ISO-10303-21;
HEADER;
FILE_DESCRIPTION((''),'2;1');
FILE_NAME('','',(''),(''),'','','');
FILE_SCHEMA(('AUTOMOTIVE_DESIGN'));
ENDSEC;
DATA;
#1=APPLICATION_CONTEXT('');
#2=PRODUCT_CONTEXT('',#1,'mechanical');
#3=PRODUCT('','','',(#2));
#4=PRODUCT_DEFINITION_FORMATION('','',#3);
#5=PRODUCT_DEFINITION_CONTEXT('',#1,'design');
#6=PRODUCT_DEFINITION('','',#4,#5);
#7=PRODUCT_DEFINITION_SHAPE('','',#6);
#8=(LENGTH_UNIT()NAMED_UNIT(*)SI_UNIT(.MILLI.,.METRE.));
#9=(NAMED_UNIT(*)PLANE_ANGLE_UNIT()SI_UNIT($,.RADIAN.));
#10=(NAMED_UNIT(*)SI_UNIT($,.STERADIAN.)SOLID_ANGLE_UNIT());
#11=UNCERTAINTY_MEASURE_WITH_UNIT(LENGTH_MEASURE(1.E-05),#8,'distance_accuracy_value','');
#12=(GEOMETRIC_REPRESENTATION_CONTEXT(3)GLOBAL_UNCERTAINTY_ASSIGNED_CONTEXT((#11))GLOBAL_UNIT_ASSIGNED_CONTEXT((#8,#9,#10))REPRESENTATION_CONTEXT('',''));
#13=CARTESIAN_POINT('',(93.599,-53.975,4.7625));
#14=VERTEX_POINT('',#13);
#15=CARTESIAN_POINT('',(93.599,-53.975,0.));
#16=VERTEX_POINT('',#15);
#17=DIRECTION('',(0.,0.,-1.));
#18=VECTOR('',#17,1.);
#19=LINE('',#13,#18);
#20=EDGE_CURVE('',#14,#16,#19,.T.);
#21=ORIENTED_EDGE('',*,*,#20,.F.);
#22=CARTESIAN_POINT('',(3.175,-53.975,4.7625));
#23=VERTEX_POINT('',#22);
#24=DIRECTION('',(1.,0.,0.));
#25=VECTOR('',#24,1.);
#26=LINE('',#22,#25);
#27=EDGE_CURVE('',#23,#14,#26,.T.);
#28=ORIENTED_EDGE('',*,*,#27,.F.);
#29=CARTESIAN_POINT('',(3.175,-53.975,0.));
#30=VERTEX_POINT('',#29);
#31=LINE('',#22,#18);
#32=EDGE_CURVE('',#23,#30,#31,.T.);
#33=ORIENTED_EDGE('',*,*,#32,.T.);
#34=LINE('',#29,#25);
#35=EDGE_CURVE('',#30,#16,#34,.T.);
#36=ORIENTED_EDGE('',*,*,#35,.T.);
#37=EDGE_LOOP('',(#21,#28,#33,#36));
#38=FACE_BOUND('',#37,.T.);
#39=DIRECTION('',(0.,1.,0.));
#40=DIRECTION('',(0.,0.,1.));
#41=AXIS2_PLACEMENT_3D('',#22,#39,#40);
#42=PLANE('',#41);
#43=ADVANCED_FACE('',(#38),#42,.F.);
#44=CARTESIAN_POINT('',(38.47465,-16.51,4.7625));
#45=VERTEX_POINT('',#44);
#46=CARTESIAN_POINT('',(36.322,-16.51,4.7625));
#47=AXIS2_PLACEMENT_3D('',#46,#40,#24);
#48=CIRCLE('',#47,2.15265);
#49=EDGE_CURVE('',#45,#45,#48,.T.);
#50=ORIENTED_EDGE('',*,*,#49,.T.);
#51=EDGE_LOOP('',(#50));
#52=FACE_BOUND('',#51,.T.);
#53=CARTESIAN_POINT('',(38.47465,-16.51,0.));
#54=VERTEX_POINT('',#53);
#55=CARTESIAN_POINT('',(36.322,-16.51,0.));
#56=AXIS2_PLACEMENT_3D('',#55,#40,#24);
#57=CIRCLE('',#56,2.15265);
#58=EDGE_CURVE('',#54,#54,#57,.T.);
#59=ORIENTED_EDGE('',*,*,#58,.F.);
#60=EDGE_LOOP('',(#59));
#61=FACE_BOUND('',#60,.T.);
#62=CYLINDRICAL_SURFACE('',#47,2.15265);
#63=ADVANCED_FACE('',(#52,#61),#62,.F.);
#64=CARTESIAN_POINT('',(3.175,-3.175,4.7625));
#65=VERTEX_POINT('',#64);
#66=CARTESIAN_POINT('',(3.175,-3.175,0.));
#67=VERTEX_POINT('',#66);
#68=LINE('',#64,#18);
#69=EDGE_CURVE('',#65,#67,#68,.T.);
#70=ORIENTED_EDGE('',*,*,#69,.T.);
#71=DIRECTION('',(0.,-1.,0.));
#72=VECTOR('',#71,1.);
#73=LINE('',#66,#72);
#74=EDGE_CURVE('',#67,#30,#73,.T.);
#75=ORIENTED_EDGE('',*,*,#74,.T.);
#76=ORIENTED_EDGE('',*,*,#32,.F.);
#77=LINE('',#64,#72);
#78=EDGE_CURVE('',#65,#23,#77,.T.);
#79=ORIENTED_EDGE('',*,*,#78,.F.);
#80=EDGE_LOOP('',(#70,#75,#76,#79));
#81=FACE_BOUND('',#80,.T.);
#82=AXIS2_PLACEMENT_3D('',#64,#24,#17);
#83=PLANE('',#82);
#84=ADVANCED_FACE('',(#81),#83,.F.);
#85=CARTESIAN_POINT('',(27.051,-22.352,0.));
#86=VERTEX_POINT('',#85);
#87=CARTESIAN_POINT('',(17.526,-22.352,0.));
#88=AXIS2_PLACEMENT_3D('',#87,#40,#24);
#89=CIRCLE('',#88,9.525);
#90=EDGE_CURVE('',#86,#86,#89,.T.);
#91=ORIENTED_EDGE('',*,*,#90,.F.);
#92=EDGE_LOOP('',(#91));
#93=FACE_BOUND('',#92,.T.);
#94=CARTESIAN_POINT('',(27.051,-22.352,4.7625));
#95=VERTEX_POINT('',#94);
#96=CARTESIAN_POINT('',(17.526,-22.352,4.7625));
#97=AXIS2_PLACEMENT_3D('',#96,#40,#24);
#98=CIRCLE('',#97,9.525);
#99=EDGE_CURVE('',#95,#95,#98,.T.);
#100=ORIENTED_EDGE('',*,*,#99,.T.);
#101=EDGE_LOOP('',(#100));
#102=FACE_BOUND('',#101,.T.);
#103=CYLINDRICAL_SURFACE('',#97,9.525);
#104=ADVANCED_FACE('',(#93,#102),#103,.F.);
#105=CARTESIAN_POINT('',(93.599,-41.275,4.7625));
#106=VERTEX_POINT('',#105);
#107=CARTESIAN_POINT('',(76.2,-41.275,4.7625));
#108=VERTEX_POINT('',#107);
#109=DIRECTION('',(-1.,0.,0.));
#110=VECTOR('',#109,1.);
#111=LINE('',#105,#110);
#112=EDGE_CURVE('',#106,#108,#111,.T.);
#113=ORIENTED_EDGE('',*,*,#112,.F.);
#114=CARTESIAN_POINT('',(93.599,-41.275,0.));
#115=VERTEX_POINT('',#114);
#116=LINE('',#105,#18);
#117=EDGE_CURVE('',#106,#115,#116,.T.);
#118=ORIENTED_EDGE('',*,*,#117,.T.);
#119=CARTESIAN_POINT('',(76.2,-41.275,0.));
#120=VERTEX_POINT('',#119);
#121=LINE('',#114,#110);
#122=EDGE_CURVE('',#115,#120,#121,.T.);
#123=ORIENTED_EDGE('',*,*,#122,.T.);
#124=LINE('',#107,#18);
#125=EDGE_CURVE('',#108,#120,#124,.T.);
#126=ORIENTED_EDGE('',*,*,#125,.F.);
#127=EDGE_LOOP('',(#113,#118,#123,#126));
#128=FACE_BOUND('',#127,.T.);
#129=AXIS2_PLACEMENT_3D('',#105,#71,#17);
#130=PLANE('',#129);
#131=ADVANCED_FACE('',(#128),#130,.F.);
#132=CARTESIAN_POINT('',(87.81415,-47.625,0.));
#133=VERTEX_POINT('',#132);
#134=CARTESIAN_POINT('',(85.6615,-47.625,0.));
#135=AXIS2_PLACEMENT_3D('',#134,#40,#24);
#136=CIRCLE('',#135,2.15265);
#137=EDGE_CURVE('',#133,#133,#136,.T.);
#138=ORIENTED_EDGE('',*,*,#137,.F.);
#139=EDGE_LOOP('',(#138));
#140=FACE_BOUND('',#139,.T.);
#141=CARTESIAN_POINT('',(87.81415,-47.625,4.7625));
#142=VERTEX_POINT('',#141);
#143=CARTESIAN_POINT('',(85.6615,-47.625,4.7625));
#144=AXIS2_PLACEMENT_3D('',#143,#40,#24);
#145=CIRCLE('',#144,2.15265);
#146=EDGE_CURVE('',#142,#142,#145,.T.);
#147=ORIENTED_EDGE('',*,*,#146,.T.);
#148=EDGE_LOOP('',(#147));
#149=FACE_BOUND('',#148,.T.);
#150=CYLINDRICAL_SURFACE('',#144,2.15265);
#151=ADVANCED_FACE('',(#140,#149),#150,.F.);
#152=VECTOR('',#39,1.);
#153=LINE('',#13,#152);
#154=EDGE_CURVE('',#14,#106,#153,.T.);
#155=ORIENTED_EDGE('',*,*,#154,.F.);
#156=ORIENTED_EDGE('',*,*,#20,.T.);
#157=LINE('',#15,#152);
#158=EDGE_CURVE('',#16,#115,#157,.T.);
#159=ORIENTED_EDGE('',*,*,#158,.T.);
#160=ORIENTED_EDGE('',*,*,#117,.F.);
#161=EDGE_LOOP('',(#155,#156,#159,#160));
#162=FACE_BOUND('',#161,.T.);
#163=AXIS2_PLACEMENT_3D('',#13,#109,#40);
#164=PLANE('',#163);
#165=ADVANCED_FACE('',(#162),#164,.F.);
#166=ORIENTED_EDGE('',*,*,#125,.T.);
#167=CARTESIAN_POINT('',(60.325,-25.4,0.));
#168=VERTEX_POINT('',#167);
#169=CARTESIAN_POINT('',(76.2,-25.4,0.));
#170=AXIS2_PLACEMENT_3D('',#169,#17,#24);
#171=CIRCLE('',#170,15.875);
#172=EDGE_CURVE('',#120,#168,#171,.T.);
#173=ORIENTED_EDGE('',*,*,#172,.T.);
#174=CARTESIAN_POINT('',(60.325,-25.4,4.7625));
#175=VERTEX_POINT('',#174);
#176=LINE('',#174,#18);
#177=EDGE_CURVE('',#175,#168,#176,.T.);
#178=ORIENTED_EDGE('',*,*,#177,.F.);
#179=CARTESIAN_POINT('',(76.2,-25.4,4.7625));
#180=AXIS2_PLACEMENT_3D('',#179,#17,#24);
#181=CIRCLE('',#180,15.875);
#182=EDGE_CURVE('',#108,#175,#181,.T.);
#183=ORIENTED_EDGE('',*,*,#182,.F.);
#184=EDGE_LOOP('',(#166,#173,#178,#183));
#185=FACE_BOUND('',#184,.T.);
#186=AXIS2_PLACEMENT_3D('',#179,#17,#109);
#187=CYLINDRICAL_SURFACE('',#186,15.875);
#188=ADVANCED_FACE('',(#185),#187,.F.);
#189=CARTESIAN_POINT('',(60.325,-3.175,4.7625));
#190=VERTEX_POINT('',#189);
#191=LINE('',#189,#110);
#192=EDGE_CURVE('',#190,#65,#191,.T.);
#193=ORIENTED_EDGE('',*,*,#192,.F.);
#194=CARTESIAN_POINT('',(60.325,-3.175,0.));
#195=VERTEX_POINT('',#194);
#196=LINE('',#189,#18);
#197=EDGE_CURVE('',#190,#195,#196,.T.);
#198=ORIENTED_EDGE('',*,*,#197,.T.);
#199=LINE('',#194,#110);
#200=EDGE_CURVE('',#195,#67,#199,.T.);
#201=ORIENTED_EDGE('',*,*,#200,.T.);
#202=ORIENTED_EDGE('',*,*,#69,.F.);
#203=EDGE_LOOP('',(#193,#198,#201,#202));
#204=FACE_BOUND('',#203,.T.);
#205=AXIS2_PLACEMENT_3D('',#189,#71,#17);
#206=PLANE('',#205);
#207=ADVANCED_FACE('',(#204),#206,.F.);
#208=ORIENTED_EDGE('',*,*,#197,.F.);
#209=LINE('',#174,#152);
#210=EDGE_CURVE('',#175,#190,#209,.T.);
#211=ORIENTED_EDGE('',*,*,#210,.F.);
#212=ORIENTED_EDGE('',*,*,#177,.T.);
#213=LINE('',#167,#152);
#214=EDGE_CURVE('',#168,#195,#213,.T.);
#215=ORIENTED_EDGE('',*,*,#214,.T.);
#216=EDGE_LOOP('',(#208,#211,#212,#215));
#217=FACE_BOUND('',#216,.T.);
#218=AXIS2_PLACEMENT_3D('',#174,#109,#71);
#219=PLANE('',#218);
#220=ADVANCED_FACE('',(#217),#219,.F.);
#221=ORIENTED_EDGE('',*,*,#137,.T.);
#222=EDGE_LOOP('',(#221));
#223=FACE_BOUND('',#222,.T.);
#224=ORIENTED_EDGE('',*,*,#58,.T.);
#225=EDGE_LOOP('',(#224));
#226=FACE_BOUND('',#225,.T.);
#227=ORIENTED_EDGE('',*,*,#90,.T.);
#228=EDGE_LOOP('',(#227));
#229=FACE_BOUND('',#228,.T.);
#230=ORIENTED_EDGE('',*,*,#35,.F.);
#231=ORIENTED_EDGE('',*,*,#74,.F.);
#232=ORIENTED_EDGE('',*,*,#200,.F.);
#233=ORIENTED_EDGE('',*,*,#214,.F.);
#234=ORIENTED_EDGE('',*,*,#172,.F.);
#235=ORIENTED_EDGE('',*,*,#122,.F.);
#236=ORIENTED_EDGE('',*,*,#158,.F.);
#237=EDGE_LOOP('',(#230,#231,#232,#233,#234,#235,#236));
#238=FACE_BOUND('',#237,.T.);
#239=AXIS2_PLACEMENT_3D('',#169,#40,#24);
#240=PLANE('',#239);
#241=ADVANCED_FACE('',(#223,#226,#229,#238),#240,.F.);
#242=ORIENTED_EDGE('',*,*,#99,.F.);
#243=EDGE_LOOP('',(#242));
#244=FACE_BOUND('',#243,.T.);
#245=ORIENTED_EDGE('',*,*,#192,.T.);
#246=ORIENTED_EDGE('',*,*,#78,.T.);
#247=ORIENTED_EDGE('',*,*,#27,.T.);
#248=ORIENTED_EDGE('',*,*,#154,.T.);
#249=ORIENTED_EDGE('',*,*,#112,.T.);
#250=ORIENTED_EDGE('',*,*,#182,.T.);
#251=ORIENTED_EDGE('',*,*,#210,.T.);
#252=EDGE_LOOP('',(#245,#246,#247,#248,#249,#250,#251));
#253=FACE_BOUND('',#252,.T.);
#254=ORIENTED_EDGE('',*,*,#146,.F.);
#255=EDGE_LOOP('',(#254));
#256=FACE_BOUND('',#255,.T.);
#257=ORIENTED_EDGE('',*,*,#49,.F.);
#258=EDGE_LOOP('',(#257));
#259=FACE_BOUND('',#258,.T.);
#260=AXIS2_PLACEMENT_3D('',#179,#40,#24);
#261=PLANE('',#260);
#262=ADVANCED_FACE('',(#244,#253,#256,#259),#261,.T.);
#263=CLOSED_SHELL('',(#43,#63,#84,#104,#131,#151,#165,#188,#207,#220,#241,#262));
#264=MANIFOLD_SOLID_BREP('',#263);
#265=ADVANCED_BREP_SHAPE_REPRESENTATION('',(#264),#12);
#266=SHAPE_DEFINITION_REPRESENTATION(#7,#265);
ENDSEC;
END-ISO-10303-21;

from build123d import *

# Parameters (mm, degrees)
BOSS_EXTRUDE1_DEPTH         = 4.7625
F_3_4_0_75_DIAMETER_HOLE1_D = 19.05
F_6_CLEARANCE_HOLE1_D       = 4.3053


with BuildPart() as part:
    # Sketch1 → Boss-Extrude1 (new body)
    with BuildSketch(Plane.XY):
        with BuildLine():
            Line((93.599, -41.275), (76.2, -41.275))
            ThreePointArc((76.2, -41.275), (64.974679849, -36.625320151), (60.325, -25.4))
            Line((60.325, -25.4), (60.325, -3.175))
            Line((60.325, -3.175), (3.175, -3.175))
            Line((3.175, -3.175), (3.175, -53.975))
            Line((3.175, -53.975), (93.599, -53.975))
            Line((93.599, -53.975), (93.599, -41.275))
        make_face()
    extrude(amount=BOSS_EXTRUDE1_DEPTH)

    # 3/4 (0.75) Diameter Hole1 (through all)
    with Locations(Plane.XY.offset(4.7625)):
        with Locations((17.526, -22.352)):
            Hole(F_3_4_0_75_DIAMETER_HOLE1_D / 2)

    # #6 Clearance Hole1 (through all)
    with Locations(Plane.XY.offset(4.7625)):
        with Locations((36.322, -16.51), (85.6615, -47.625)):
            Hole(F_6_CLEARANCE_HOLE1_D / 2)


solid = part.part
